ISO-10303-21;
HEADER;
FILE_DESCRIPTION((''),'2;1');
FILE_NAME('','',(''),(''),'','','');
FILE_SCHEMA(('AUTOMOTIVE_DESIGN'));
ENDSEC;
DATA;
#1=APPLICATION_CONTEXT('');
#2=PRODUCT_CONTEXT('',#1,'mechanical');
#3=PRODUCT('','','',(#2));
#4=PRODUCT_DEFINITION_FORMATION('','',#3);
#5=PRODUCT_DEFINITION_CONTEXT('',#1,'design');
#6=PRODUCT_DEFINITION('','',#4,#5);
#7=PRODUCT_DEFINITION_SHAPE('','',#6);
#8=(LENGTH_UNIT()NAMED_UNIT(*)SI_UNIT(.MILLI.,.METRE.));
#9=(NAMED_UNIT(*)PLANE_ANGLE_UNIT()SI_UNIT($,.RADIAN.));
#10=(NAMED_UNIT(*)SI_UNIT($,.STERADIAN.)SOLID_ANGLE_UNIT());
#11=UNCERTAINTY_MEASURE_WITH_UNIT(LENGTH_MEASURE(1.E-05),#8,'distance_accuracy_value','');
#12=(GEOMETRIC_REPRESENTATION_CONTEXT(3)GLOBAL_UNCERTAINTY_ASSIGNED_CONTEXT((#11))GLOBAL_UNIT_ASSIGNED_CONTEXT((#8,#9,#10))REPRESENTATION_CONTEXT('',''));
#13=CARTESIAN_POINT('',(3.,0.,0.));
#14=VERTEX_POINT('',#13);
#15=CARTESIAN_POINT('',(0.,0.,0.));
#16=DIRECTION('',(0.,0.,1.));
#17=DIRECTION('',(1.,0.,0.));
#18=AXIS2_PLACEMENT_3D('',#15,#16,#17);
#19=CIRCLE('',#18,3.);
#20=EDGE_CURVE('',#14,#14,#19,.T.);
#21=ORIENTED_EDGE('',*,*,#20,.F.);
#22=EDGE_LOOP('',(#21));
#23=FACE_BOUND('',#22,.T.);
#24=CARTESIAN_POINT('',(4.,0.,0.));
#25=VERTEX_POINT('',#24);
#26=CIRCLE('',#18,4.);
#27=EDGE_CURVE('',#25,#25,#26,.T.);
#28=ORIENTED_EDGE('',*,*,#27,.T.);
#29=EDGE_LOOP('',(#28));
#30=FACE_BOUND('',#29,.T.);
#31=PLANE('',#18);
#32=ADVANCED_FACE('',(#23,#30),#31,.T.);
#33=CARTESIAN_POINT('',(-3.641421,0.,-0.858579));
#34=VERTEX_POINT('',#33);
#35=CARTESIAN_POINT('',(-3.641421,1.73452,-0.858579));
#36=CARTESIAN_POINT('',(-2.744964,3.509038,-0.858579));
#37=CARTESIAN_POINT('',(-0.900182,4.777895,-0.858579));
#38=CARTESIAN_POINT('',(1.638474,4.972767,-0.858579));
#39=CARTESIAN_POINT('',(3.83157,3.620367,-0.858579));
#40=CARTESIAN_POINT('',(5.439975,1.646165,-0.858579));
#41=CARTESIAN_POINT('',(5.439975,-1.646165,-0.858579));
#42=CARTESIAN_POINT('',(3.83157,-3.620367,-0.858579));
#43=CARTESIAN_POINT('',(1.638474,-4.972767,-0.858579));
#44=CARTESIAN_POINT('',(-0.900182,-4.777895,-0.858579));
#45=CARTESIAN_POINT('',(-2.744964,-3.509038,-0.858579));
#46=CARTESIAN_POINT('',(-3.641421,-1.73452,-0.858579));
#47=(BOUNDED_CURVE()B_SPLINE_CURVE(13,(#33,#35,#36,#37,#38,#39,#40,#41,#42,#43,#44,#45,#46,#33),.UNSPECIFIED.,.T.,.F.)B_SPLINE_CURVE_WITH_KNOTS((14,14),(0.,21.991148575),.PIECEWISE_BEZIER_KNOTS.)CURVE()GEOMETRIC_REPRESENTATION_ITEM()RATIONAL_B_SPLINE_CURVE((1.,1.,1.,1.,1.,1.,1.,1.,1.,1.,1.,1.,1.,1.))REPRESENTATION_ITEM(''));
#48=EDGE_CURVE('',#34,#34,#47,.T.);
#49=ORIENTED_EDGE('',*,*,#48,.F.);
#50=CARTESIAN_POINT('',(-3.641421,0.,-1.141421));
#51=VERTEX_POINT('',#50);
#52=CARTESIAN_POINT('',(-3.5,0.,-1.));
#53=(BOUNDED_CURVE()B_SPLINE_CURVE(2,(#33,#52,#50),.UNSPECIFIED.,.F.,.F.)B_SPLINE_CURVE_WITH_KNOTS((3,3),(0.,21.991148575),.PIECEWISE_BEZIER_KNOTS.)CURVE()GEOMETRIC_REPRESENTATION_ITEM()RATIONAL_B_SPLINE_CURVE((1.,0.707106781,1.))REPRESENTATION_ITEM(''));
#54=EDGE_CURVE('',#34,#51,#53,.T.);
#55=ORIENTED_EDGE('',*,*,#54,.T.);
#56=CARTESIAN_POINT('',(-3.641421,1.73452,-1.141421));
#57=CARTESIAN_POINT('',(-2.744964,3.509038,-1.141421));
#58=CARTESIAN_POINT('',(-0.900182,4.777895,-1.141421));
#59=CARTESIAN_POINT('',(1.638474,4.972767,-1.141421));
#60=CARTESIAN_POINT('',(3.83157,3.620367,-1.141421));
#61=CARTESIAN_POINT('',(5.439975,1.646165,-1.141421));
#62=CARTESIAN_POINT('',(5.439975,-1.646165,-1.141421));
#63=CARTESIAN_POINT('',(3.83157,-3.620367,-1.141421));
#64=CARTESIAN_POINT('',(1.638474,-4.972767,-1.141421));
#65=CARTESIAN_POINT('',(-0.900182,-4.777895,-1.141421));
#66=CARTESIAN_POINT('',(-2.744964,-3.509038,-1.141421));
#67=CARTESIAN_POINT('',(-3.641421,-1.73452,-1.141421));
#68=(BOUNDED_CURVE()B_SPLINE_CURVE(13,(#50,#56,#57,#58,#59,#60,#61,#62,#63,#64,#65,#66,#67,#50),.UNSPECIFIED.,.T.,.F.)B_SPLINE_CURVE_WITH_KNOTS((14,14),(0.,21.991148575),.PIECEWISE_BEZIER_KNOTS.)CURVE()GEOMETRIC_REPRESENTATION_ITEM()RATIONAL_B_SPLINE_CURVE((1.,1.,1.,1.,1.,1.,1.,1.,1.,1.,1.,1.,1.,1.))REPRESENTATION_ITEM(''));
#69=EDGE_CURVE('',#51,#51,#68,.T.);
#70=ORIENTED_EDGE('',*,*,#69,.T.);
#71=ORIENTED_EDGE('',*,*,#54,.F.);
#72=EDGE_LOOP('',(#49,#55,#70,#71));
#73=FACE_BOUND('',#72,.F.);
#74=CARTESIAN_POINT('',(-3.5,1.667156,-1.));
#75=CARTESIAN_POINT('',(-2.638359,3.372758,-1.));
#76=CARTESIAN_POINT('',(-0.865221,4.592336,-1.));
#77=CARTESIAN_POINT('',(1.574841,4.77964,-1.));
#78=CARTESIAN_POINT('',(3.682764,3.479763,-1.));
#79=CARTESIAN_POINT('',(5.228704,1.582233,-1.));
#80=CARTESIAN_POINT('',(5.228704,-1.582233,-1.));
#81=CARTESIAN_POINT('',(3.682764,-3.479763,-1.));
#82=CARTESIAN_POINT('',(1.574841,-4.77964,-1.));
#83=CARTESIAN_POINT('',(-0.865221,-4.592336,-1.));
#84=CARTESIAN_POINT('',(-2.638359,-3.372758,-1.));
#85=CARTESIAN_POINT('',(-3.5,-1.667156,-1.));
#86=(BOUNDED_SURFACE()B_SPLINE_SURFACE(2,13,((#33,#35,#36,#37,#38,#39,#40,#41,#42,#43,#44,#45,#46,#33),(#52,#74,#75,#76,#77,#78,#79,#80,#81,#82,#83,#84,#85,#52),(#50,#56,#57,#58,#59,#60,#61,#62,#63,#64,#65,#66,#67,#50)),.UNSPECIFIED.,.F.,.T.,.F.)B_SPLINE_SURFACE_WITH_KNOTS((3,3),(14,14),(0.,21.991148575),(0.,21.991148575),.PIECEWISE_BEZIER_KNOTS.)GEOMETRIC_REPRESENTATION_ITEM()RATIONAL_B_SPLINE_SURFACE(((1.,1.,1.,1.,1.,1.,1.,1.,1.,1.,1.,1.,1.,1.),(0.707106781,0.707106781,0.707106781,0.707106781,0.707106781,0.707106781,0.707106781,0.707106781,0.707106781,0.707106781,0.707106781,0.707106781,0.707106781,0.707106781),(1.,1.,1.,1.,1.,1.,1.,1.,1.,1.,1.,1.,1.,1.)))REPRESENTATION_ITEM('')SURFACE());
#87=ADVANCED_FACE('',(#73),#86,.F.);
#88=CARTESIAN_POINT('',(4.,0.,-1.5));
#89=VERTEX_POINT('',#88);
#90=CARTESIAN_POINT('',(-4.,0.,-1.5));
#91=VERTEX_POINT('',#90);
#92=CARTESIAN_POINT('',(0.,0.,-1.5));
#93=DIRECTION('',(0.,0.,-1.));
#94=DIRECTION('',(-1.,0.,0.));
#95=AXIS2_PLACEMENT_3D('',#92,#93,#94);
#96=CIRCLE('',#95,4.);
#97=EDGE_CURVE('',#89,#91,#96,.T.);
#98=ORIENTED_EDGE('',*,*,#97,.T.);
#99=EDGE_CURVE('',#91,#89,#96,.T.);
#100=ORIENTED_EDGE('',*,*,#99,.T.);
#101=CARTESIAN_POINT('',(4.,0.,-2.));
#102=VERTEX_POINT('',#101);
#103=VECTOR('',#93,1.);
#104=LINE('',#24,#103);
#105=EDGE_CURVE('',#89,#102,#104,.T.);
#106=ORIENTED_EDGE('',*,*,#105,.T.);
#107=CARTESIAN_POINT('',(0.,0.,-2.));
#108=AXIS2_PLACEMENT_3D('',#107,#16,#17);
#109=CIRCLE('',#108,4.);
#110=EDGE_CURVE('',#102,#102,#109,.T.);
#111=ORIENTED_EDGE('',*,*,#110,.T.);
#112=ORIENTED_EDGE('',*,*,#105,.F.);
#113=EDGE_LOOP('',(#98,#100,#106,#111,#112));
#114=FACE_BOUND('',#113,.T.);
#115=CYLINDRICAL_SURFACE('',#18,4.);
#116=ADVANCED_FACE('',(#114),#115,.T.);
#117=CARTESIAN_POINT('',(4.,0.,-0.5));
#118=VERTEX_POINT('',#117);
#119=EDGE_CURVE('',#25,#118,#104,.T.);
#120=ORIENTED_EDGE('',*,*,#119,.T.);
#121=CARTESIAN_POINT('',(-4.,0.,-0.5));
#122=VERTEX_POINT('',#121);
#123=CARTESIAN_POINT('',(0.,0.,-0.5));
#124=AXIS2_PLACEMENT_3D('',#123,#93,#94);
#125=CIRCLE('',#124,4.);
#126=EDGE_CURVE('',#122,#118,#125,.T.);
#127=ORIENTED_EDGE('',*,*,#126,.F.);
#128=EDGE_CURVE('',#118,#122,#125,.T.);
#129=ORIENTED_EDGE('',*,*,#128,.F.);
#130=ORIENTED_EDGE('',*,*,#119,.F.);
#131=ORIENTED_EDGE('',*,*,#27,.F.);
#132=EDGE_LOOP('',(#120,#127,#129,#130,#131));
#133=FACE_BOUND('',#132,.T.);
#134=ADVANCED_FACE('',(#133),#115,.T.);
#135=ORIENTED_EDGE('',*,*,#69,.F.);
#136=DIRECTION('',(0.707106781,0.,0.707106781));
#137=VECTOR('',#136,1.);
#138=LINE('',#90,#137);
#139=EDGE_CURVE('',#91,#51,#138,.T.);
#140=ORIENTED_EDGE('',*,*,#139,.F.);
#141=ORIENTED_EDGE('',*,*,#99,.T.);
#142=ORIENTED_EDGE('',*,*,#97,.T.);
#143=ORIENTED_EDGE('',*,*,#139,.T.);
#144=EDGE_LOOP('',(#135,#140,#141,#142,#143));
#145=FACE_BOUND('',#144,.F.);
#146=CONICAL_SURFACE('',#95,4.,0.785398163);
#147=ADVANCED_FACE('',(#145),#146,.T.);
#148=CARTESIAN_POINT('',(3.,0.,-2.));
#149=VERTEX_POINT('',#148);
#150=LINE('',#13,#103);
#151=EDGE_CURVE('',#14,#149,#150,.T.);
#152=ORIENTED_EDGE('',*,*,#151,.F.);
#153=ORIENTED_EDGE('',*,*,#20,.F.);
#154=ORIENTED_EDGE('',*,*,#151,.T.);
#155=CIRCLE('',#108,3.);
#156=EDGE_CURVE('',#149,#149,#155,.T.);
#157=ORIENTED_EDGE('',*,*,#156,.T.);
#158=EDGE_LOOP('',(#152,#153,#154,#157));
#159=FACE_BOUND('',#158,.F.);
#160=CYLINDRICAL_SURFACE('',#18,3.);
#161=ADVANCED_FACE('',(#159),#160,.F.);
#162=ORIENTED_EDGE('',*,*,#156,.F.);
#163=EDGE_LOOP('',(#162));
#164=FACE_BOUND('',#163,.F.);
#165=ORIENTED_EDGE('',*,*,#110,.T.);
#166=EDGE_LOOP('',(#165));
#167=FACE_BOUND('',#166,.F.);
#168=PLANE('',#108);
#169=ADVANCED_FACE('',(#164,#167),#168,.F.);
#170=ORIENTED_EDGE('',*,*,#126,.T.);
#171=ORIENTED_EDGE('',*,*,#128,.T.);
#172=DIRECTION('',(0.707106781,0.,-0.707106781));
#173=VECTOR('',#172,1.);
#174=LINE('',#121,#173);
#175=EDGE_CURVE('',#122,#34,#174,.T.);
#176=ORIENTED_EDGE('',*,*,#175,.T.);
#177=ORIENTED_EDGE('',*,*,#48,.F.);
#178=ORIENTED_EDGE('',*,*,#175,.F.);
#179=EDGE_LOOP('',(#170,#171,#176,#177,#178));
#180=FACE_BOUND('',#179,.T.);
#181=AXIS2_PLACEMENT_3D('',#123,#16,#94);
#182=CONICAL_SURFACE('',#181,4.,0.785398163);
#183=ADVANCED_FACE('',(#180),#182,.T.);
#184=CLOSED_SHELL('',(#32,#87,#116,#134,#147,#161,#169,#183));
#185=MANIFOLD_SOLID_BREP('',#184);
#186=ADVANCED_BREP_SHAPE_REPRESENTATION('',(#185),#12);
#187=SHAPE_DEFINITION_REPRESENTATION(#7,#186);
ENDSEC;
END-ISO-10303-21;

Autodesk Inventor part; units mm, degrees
ref_plane "YZ Plane" through (0, 0, 0) normal (1, 0, 0) x (0, 1, 0)
ref_plane "XZ Plane" through (0, 0, 0) normal (0, 1, 0) x (-1, 0, 0)
ref_plane "XY Plane" through (0, 0, 0) normal (0, 0, 1) x (1, 0, 0)
sketch "Sketch1" plane through (0, 0, 0) normal (0, 0, 1) x (1, 0, 0)
  circle A0 centre (0, 0) radius 3 projected
  circle A1 centre (0, 0) radius 3
  circle A2 centre (0, 0) radius 4
  point P0 (0, 0)
  dimension "d0" = 6
  dimension "d1" = 8
extrude "Extrusion1" add sketch "Sketch1" against normal blind 2
ref_plane "Work Plane1" through (0, 0, -1) normal (0, 0, 1) x (1, 0, 0)
sketch "Sketch2" plane through (0, 0, 0) normal (0, 1, 0) x (-1, 0, 0)
  line L0 (4, 0) -> (4, -2) projected
  line L1 (4, -1) -> (3.5, -1)
  line L2 (4, -1) -> (4, -1.5)
  line L3 (4, -1) -> (4, -0.5)
  line L4 (4, -0.5) -> (3.5, -1)
  line L5 (4, -1.5) -> (3.5, -1)
  line L6 (0, 0) -> (0, -2)
  line L7 (-4, -2) -> (4, -2) projected
  dimension "d4" = 0.5
  dimension "d5" = 0.5
  dimension "d6" = 0.5
revolve "Revolution1" cut sketch "Sketch2" angle 360 about axis through (0, 0, 0) along (0, 0, -1)
fillet "Fillet1" radius 0.2 1 edges at (3.5, 0, -1)
properties part number "c_roller_1"
